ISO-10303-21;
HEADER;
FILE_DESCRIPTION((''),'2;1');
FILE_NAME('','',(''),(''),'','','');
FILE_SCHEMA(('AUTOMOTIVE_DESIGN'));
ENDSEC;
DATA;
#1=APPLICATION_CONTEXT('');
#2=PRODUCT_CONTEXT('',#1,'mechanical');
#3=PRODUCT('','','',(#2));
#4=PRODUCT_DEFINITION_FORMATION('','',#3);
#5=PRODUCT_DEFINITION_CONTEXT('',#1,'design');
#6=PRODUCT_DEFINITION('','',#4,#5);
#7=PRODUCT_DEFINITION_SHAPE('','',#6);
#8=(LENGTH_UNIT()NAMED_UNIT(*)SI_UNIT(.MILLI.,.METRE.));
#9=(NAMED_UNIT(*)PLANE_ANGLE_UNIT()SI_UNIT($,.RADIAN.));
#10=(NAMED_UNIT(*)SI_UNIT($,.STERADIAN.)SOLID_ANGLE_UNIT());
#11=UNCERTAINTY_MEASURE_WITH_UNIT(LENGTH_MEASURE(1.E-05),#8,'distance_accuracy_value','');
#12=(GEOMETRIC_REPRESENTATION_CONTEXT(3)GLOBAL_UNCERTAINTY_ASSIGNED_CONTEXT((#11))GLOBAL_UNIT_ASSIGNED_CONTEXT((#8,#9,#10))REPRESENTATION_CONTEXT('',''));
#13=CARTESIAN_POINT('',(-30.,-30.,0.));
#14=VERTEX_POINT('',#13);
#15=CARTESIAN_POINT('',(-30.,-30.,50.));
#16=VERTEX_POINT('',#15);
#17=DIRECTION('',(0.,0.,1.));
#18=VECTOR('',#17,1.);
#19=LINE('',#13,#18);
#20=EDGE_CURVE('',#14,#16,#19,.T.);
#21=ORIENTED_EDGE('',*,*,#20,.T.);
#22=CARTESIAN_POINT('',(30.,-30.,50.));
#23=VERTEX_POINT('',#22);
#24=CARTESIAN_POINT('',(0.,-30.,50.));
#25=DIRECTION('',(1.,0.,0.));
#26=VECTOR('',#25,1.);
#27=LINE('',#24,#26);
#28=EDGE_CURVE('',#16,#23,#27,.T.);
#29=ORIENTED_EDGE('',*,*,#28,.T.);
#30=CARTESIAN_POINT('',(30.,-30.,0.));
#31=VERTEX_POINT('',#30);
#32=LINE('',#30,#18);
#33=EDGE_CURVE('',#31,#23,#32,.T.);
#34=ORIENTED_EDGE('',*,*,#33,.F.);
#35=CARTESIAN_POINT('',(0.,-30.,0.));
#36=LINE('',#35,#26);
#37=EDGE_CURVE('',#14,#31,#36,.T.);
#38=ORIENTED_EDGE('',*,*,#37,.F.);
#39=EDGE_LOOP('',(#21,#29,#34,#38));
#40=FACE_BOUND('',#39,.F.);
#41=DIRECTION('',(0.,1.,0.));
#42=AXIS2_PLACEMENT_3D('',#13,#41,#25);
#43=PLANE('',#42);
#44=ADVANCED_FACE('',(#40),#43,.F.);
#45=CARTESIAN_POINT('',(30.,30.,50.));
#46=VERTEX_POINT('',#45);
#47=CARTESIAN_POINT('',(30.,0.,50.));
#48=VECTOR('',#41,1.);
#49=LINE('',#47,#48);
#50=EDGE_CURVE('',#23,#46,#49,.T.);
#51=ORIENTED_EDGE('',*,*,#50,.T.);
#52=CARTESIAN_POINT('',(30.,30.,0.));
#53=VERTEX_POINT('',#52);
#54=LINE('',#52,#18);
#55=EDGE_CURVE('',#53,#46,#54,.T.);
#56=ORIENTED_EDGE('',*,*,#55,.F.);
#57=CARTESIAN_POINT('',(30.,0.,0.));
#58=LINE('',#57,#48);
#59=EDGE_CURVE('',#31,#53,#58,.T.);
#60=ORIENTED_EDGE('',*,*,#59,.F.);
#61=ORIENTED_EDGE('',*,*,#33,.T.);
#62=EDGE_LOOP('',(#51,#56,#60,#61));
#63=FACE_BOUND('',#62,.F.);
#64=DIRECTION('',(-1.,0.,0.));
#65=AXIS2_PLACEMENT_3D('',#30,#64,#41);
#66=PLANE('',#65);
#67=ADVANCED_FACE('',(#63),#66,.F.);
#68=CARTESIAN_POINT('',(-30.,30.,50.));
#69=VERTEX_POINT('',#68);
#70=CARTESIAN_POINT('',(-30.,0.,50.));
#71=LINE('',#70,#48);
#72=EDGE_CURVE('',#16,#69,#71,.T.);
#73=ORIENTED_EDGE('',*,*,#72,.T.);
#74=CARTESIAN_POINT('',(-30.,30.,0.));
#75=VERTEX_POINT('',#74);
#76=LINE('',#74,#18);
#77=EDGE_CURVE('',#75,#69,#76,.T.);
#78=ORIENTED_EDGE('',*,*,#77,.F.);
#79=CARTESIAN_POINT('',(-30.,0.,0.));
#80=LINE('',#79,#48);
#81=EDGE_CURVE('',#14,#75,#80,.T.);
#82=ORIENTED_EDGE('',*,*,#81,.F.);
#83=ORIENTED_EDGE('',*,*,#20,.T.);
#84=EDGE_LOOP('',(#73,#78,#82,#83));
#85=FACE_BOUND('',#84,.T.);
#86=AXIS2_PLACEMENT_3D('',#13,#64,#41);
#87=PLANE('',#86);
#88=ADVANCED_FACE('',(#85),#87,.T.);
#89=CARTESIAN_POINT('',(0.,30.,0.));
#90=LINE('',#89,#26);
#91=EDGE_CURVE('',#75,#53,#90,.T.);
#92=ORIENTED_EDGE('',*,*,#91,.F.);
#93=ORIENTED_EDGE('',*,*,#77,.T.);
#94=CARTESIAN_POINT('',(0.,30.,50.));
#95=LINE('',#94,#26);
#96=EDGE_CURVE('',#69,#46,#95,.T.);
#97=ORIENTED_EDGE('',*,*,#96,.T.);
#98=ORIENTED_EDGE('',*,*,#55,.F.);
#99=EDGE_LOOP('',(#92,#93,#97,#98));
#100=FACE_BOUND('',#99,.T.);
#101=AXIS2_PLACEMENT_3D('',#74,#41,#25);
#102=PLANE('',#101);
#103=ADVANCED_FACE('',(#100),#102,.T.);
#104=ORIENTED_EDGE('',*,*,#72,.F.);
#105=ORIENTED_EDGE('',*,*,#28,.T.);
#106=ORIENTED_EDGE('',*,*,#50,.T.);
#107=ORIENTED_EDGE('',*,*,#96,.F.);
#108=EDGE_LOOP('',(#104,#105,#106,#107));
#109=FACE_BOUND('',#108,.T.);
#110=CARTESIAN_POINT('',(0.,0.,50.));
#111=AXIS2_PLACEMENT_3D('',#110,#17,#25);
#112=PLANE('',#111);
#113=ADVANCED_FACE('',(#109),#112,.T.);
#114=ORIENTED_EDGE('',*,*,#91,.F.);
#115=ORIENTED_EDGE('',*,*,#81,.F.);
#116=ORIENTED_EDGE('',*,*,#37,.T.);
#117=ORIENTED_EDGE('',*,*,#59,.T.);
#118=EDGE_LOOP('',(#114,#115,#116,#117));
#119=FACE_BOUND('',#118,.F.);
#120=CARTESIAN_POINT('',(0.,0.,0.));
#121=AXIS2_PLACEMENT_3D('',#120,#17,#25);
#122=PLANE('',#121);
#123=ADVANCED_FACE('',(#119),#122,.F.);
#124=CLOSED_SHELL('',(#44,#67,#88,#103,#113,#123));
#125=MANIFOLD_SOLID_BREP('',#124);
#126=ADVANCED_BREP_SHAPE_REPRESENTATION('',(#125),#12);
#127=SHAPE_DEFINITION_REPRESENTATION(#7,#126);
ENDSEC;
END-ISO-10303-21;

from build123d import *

# Parameters (mm, degrees)
SKETCH_W      = 60
SKETCH_H      = 60
EXTRUDE_DEPTH = 50


with BuildPart() as part:
    # Sketch → Extrude (new body)
    with BuildSketch(Plane.XY):
        Rectangle(SKETCH_W, SKETCH_H)
    extrude(amount=EXTRUDE_DEPTH)


solid = part.part
